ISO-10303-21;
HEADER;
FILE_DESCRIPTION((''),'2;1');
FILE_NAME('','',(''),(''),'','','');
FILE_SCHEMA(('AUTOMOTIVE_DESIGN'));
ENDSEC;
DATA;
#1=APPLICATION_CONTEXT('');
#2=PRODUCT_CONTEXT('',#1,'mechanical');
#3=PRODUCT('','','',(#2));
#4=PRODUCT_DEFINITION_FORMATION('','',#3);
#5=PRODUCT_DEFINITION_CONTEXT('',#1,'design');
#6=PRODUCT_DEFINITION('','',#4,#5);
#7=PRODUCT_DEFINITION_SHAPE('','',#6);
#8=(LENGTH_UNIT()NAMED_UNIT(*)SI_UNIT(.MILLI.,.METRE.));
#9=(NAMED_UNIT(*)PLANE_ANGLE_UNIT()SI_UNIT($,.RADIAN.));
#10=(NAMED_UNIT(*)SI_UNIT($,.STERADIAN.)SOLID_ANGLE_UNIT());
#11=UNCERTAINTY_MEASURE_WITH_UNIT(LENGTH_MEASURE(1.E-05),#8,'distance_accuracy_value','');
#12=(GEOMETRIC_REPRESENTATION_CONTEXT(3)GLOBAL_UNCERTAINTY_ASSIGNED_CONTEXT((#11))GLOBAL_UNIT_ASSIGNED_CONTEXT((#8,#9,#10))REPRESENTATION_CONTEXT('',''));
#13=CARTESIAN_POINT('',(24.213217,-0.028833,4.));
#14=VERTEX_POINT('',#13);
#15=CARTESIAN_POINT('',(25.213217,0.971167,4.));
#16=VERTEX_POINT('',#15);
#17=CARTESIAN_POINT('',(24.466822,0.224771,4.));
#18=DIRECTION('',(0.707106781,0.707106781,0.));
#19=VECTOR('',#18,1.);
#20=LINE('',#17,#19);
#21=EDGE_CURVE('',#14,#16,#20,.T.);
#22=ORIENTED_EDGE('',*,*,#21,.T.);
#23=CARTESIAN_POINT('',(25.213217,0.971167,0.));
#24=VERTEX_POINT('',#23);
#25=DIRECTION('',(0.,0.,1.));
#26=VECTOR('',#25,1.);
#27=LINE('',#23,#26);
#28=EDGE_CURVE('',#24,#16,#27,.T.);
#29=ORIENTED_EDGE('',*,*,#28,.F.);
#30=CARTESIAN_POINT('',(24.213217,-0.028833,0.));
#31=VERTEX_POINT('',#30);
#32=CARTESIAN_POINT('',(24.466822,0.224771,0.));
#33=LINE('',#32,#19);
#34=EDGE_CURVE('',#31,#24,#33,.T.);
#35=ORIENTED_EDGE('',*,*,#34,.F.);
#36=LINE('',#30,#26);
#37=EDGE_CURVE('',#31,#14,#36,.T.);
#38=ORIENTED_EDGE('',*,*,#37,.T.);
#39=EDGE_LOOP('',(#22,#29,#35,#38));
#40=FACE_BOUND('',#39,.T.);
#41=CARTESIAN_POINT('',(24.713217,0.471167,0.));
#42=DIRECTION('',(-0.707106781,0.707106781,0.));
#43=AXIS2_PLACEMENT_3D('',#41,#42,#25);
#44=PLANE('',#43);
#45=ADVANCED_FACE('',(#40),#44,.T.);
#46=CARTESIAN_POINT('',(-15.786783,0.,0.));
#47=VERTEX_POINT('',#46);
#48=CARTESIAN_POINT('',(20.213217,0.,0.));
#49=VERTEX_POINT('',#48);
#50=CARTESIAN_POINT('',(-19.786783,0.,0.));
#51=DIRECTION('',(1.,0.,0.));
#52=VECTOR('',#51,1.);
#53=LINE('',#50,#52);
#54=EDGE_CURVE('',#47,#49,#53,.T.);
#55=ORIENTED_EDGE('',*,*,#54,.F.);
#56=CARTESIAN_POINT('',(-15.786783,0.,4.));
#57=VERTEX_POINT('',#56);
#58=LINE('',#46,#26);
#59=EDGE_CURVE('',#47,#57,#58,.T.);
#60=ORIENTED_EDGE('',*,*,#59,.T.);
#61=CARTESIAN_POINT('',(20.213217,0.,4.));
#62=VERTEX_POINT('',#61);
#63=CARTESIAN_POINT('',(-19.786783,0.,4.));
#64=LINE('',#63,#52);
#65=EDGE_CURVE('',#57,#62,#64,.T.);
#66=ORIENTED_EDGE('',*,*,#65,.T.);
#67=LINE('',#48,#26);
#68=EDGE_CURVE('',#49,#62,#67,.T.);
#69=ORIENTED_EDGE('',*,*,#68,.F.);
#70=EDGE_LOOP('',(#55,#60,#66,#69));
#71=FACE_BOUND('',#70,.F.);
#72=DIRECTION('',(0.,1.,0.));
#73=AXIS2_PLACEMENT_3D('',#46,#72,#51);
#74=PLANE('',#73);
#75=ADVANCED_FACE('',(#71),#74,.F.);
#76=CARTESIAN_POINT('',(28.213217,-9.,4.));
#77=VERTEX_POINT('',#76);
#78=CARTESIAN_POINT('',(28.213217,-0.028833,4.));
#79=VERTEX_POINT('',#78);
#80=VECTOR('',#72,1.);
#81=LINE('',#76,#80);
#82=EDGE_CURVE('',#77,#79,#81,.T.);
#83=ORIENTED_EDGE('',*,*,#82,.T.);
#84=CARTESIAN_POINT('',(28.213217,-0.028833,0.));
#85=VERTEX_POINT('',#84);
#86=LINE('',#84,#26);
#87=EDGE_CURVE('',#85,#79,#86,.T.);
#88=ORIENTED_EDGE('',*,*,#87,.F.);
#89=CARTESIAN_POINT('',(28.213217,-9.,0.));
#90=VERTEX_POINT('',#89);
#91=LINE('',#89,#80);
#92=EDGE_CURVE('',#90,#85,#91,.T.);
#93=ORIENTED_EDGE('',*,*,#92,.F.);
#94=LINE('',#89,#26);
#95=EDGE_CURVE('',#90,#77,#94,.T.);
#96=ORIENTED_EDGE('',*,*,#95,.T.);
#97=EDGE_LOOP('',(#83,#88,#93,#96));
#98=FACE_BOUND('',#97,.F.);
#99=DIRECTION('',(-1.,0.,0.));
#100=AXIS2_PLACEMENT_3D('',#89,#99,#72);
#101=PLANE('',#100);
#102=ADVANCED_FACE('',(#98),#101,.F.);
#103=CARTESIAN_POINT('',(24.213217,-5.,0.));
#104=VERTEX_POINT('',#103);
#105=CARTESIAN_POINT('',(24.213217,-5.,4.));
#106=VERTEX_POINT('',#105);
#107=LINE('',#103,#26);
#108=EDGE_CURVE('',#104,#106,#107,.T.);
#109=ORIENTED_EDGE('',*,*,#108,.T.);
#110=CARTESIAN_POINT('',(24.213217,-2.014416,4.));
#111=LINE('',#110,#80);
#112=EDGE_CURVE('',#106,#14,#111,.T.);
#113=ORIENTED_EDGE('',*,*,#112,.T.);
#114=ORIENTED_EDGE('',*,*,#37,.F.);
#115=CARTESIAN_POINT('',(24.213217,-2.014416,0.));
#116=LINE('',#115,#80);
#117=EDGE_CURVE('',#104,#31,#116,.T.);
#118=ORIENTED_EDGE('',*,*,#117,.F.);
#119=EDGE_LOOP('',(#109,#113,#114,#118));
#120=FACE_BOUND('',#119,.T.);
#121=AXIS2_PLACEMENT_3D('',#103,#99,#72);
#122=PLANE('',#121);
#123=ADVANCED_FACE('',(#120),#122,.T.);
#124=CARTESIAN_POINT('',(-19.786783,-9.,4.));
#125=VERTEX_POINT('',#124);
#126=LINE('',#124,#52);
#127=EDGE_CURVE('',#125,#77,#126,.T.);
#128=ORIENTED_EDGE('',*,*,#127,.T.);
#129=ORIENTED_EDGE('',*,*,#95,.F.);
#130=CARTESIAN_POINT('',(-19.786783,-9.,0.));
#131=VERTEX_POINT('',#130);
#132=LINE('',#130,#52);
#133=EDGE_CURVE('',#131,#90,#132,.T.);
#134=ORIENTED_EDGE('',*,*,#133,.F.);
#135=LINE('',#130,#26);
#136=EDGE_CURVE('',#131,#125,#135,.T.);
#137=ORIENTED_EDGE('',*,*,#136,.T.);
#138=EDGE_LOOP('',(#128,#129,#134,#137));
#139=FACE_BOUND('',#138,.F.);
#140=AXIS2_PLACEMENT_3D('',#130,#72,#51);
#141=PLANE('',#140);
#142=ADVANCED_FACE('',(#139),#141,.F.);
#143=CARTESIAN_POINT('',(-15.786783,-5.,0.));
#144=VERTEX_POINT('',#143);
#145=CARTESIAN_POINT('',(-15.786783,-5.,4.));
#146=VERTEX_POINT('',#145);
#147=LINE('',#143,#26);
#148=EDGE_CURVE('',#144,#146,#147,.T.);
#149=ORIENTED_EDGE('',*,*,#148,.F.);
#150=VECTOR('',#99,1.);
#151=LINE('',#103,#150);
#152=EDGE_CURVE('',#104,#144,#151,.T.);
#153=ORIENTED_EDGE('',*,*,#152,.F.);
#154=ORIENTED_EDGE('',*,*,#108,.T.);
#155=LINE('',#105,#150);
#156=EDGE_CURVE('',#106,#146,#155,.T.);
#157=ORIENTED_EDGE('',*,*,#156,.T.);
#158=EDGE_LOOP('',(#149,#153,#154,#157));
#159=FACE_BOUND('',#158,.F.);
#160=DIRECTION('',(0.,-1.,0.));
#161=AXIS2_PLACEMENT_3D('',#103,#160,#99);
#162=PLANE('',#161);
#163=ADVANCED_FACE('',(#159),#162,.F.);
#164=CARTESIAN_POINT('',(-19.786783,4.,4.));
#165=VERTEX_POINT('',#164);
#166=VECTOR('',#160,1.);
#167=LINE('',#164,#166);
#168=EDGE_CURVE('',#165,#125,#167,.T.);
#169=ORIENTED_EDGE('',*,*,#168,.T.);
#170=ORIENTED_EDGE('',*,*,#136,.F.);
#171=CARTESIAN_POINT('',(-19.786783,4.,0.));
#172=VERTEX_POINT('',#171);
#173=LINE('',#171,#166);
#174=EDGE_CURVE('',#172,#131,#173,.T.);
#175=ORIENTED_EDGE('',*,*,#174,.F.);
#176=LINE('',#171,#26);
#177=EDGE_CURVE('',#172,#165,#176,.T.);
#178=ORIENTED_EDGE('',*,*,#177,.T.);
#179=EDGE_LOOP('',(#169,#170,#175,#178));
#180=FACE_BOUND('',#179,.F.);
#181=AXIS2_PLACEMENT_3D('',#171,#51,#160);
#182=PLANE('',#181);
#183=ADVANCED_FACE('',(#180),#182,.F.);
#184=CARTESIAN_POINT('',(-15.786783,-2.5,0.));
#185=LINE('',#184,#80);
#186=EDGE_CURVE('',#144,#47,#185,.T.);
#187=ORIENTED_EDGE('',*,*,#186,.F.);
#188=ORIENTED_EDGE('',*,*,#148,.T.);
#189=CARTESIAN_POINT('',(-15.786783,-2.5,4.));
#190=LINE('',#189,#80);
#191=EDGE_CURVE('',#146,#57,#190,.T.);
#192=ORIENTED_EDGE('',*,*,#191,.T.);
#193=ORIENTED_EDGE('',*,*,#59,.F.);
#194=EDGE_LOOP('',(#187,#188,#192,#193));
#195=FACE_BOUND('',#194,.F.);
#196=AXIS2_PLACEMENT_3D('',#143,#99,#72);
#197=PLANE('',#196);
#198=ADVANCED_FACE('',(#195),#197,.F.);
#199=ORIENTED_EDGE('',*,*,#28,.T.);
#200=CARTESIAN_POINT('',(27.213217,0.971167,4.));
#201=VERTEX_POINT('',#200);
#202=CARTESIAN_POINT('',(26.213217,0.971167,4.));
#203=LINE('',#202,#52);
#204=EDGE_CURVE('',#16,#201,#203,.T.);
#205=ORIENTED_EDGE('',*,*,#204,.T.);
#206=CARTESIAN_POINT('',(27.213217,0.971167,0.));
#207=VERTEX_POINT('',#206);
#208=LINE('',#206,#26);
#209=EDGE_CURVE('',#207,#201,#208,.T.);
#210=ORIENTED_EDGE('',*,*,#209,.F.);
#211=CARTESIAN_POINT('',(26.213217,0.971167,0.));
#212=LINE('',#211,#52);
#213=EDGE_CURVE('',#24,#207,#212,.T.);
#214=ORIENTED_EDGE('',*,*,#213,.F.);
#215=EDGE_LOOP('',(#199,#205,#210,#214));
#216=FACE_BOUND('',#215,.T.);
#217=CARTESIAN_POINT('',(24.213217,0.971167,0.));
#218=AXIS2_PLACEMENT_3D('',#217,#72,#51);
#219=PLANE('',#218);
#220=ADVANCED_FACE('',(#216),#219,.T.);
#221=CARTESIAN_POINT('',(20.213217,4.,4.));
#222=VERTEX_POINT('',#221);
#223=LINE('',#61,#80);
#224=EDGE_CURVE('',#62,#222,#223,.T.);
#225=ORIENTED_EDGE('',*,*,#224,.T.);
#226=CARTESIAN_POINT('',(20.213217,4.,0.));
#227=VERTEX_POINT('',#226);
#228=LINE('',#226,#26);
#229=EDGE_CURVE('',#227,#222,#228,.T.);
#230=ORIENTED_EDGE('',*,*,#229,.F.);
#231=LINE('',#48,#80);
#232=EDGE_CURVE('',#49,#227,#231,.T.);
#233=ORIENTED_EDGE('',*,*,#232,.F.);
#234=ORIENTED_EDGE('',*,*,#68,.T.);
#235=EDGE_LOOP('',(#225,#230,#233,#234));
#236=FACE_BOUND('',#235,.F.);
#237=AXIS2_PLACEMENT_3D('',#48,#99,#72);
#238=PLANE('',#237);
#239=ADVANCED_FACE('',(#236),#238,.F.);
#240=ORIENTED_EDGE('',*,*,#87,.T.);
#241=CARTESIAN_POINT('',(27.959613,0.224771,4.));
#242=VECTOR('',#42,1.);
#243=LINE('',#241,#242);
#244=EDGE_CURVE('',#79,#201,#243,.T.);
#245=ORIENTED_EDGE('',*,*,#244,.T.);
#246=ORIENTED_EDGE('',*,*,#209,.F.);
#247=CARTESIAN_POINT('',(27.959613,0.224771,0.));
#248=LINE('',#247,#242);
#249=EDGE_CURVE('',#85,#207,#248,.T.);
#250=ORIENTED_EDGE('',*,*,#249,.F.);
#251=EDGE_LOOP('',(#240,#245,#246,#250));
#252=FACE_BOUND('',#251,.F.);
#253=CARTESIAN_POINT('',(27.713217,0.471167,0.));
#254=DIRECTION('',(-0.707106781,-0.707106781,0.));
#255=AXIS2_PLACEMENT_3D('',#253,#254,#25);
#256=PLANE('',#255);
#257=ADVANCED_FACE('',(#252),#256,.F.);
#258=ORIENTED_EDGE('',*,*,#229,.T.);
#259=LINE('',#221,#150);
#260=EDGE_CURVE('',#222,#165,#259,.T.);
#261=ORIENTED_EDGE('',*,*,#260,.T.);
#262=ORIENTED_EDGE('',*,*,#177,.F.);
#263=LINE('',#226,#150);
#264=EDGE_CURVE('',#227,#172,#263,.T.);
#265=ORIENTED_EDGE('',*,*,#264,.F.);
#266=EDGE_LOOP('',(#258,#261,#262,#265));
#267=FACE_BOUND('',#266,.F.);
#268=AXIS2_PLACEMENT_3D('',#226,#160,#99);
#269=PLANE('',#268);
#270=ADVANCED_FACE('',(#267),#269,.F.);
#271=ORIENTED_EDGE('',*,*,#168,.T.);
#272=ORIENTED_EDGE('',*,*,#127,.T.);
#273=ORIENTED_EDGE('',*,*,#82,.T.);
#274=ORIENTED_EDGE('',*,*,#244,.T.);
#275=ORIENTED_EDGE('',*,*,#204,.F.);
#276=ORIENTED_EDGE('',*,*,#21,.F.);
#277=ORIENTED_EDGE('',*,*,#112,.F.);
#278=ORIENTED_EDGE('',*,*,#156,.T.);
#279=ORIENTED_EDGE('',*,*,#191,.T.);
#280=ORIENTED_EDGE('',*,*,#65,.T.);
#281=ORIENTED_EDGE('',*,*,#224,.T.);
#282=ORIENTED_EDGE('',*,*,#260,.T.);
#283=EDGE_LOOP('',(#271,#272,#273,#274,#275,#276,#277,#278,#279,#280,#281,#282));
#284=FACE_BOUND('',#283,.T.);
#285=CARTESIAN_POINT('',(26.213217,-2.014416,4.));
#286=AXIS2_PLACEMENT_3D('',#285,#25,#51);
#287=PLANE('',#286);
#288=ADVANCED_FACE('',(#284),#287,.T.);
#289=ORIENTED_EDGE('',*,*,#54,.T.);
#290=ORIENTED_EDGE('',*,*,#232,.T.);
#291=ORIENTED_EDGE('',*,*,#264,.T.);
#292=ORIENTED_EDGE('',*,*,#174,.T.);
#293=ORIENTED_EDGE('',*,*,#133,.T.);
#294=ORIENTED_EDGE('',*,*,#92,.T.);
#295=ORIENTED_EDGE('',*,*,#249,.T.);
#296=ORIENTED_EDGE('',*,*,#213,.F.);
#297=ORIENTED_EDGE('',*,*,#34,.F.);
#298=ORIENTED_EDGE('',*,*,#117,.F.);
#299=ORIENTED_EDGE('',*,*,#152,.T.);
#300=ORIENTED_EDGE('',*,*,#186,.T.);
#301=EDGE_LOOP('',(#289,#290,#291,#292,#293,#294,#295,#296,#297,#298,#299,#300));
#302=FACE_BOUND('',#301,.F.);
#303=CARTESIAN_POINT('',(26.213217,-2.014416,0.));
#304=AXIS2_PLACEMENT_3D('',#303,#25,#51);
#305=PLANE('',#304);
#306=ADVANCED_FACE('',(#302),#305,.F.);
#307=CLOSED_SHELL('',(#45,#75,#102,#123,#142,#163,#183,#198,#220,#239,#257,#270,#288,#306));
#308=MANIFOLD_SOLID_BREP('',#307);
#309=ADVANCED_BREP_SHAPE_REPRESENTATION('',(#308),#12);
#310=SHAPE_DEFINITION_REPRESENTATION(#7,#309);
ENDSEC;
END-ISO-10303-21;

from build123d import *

# Parameters (mm, degrees)
F0_W     = 4
F0_H     = 5.9711672319
F0_H_2   = 5
F1_DEPTH = 4
F2_SIZE  = 1


with BuildPart() as f1:
    # F0 (on Top) → F1 (new body)
    with BuildSketch(Plane.XY):
        with Locations((26.2132174275, -2.014416384)):
            Rectangle(F0_W, F0_H)
        Polygon((-19.7867825725, 4), (-19.7867825725, 0), (-15.7867825725, 0), (20.2132174275, 0), (20.2132174275, 4), align=None)
        with Locations((-17.7867825725, -2.5)):
            Rectangle(F0_W, F0_H_2)
        Polygon((-15.7867825725, -5), (-19.7867825725, -5), (-19.7867825725, -9), (28.2132174275, -9), (28.2132174275, -5), (24.2132174275, -5), align=None)
    extrude(amount=F1_DEPTH)

    # F2
    f2_edges = [f1.edges().sort_by_distance(p)[0] for p in [
        (24.213217, 0.971167, 2),
        (28.213217, 0.971167, 2),
    ]]
    chamfer(f2_edges, length=F2_SIZE)


solid = f1.part
